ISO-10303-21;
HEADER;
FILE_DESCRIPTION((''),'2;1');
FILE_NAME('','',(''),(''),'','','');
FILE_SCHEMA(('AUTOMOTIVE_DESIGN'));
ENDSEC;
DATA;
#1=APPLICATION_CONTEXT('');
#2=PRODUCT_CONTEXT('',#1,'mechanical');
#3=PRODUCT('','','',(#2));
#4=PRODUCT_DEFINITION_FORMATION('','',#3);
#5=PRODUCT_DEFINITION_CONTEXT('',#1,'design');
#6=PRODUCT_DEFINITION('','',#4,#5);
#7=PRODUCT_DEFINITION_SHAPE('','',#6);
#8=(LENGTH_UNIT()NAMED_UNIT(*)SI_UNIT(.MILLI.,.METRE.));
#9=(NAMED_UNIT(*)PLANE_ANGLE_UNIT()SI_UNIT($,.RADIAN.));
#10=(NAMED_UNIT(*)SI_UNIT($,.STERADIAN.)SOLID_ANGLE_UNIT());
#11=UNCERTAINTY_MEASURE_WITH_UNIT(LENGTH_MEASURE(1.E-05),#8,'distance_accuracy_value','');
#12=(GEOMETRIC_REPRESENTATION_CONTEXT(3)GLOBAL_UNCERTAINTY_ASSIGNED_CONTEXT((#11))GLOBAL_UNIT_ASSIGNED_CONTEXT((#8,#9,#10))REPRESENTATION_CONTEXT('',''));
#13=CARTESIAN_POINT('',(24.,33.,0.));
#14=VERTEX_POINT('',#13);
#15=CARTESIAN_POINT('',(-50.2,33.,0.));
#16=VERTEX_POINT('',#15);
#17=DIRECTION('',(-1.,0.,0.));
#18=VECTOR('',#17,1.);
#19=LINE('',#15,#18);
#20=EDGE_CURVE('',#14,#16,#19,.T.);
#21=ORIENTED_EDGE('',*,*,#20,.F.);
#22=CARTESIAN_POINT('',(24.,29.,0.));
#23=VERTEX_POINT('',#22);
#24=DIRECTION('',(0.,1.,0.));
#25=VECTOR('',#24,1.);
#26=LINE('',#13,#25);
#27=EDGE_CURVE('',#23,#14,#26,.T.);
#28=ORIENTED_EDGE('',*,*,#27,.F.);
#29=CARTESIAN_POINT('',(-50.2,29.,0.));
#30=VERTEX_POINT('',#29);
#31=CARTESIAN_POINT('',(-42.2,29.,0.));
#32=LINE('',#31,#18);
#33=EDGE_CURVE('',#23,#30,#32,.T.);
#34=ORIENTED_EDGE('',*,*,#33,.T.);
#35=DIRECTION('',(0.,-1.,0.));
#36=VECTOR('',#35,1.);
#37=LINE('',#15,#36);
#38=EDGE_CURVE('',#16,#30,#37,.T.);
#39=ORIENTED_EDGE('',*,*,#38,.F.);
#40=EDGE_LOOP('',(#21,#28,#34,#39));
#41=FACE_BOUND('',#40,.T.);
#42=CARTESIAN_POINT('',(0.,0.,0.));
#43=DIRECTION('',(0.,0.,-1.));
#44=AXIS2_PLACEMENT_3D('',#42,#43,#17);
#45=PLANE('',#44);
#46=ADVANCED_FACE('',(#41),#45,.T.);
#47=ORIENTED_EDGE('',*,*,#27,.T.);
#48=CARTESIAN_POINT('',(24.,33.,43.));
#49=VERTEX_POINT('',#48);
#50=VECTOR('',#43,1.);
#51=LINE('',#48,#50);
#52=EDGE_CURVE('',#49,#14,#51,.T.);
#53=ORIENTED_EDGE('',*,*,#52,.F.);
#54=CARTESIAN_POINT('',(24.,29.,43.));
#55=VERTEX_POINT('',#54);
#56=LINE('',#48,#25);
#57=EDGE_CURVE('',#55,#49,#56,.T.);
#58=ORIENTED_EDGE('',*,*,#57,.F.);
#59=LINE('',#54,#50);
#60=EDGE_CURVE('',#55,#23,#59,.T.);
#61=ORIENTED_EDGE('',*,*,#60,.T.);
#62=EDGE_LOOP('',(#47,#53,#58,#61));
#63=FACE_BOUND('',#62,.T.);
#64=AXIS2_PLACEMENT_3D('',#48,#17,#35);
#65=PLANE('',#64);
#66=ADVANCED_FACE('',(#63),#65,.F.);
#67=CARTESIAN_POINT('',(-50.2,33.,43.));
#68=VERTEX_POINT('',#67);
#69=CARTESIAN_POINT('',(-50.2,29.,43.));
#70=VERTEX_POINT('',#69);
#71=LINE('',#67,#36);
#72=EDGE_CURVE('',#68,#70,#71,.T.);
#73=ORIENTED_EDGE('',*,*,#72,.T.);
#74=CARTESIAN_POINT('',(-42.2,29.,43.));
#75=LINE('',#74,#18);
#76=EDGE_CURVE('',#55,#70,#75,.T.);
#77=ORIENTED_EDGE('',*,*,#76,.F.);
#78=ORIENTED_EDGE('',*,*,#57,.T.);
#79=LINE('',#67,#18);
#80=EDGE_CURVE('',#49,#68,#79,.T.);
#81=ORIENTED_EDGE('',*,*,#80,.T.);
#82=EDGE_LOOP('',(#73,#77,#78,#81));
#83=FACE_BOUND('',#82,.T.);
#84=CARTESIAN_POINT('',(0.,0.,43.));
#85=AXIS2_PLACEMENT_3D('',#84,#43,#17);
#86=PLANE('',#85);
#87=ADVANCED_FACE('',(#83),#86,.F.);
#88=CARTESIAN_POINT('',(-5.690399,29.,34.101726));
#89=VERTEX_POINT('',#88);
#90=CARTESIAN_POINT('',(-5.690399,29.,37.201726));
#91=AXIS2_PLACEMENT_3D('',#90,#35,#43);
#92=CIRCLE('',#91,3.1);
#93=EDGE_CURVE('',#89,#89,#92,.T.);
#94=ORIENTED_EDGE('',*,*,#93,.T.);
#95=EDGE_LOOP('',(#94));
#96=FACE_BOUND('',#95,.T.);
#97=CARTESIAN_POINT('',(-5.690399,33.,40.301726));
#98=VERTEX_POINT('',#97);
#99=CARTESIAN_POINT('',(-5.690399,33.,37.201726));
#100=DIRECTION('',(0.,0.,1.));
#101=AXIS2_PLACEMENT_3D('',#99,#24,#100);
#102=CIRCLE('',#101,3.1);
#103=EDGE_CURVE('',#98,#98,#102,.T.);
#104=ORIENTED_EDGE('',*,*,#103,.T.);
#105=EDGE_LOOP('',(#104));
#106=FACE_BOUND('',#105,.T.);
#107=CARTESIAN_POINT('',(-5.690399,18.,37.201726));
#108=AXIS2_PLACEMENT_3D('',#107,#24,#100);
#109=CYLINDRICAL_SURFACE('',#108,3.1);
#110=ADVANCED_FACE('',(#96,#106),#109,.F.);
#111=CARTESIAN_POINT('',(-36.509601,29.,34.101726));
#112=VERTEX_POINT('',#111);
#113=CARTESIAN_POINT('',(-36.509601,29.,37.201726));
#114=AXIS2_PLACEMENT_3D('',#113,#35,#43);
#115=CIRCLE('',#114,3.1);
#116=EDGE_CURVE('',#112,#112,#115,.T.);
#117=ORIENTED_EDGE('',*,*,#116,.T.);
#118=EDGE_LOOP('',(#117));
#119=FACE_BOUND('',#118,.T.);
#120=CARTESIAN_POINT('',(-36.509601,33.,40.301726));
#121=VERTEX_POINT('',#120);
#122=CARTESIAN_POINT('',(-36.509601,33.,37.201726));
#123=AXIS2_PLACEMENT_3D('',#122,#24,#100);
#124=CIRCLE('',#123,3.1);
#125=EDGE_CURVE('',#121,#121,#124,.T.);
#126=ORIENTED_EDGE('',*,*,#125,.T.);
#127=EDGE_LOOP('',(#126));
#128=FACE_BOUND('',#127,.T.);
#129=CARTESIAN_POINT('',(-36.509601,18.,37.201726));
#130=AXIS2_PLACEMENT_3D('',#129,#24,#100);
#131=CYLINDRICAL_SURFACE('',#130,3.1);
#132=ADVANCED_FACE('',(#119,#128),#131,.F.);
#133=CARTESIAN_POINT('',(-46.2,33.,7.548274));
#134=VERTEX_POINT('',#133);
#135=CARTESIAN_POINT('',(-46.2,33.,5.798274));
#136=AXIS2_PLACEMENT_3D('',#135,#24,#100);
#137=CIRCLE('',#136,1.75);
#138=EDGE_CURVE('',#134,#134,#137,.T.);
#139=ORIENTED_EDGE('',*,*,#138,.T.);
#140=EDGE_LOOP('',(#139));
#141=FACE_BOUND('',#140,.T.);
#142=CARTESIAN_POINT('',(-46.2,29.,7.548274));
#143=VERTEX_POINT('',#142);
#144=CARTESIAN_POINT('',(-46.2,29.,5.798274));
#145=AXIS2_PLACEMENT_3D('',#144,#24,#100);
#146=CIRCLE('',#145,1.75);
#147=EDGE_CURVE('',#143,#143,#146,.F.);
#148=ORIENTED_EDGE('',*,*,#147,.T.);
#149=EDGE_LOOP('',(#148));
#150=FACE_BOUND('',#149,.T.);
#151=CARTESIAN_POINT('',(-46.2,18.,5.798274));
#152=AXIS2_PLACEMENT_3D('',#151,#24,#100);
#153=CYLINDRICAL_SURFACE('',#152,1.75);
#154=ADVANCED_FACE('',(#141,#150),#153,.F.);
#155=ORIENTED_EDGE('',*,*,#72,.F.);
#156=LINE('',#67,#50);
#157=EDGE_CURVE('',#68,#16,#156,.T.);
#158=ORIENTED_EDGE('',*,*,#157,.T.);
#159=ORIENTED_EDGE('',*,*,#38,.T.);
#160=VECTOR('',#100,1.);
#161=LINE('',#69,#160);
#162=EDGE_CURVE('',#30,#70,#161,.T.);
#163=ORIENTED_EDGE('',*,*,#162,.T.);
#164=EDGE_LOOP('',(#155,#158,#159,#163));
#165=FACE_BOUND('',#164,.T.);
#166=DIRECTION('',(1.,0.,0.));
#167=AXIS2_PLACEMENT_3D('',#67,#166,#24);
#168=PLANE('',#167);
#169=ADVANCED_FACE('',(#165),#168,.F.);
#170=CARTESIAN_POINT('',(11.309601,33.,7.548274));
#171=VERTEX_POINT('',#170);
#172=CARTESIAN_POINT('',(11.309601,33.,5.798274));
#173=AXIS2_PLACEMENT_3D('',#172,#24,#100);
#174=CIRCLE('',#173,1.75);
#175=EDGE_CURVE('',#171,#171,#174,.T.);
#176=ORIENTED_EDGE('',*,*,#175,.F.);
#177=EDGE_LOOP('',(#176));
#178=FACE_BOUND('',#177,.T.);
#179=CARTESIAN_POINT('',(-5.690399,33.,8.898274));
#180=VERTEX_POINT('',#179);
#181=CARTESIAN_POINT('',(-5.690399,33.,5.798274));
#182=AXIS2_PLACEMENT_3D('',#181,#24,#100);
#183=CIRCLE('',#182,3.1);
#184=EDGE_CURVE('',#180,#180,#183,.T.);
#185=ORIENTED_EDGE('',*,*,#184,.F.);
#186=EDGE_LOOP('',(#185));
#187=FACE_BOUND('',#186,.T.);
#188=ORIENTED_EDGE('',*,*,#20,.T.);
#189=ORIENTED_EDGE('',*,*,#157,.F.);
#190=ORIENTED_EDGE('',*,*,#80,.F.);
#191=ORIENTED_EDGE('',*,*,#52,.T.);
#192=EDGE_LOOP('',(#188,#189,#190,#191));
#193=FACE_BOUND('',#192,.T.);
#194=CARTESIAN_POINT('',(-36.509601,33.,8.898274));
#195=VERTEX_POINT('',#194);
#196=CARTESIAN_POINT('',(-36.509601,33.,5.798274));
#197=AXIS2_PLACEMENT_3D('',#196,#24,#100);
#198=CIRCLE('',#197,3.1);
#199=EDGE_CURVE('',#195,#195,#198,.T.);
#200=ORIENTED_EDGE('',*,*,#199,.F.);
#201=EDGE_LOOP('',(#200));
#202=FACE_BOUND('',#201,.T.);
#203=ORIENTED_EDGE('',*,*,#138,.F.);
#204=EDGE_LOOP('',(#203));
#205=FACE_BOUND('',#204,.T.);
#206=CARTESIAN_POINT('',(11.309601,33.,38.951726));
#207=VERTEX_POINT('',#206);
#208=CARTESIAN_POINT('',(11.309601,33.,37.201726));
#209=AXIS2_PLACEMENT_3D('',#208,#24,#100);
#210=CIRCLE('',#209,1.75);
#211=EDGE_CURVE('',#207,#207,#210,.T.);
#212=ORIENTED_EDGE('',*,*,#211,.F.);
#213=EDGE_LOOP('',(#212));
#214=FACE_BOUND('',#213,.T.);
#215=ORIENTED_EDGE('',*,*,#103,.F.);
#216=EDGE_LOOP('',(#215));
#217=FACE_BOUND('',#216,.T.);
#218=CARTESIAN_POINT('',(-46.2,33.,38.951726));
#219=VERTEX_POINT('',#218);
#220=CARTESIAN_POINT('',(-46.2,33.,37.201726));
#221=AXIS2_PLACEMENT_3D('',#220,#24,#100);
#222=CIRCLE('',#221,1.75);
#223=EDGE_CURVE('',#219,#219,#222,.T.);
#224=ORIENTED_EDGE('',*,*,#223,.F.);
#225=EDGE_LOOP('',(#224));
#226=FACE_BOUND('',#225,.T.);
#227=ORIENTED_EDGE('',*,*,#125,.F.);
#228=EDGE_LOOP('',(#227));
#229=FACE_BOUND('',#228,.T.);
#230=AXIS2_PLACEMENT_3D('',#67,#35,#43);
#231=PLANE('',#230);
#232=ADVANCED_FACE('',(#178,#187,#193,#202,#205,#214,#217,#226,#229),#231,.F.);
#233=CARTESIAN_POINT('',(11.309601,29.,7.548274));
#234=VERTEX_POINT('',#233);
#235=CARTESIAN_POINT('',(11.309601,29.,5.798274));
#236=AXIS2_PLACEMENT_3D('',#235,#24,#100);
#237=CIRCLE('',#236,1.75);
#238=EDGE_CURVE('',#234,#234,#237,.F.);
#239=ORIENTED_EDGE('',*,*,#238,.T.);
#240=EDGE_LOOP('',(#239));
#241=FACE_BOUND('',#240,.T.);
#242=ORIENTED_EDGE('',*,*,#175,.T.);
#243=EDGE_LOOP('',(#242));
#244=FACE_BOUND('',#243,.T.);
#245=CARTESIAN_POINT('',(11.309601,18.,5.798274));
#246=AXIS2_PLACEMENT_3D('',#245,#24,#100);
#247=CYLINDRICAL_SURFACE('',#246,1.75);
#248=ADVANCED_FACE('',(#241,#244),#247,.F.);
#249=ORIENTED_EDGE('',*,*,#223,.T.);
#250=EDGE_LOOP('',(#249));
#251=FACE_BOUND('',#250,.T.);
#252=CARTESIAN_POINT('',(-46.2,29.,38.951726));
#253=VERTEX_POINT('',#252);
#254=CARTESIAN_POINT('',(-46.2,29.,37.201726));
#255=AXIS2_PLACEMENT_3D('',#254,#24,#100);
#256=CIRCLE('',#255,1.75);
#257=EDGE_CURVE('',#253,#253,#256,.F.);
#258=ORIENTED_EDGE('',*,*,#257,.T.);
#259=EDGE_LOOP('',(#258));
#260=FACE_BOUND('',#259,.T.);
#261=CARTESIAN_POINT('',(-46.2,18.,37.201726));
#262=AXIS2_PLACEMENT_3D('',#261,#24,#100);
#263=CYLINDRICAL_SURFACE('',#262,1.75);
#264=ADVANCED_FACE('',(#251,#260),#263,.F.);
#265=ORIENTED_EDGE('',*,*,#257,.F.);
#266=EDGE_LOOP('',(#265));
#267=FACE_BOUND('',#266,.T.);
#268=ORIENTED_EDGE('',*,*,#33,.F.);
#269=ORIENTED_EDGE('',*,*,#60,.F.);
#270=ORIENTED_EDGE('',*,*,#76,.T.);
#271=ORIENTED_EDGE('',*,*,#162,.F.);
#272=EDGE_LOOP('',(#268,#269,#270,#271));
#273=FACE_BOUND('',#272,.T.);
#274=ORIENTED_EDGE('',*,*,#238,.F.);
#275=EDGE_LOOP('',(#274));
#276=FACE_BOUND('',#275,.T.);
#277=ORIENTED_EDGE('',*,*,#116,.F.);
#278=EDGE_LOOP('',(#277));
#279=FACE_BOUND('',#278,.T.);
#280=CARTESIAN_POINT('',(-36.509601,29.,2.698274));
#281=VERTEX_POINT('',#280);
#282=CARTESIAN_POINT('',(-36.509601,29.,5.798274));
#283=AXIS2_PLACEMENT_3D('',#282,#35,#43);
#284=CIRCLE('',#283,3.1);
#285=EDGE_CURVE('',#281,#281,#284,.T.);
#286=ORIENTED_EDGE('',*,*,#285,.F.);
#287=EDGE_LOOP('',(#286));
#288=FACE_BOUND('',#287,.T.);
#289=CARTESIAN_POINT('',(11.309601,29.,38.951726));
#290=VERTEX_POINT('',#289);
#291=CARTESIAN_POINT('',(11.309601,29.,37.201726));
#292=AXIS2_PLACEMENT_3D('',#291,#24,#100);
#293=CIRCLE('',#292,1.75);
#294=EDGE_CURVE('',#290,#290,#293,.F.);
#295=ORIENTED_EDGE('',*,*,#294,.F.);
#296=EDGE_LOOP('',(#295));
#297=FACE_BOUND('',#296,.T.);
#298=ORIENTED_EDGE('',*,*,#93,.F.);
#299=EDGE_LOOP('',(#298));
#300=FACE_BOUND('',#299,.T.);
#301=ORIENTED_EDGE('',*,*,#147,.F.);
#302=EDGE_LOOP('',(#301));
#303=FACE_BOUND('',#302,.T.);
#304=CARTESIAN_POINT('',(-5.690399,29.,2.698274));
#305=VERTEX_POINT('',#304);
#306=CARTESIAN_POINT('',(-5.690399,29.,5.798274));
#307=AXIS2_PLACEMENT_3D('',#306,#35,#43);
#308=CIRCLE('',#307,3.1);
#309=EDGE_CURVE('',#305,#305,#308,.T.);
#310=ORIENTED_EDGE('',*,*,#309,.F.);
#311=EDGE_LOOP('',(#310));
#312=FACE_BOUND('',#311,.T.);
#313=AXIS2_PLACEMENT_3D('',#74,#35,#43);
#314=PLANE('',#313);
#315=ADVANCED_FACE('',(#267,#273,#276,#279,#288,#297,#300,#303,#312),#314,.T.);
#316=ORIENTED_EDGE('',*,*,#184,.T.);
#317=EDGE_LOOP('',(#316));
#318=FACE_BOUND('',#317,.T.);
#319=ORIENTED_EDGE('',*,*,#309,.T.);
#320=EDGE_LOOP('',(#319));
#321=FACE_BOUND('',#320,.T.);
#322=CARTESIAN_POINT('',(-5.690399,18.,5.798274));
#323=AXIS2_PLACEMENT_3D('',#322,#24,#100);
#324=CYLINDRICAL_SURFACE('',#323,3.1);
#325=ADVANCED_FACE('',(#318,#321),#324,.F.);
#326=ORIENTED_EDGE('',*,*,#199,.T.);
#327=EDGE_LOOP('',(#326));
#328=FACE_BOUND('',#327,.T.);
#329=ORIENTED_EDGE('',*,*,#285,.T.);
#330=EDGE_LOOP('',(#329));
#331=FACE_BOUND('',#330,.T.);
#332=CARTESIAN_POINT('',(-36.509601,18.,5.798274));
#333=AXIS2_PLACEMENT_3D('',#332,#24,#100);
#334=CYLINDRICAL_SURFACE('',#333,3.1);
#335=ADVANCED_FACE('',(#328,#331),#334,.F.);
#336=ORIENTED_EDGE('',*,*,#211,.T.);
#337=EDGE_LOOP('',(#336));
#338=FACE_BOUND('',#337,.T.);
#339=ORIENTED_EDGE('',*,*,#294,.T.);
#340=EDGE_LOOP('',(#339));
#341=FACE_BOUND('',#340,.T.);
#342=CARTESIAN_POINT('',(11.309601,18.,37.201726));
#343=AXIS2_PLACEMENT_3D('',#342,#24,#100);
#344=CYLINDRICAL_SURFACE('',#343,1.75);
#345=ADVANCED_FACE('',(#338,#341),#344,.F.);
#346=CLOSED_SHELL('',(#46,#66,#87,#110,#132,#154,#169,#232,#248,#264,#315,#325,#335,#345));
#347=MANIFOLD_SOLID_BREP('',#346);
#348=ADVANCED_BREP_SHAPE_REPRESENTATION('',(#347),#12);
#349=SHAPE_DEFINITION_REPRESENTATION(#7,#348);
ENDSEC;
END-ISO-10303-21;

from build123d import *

# Parameters (mm, degrees)
SKETCH1_W           = 74.2
SKETCH1_H           = 46
BOSS_EXTRUDE1_DEPTH = 43
SKETCH2_R           = 11.5
SKETCH2_R_2         = 1.75
SKETCH2_R_3         = 2.5
CUT_EXTRUDE1_DEPTH  = 20
SKETCH3_R           = 3.1
SKETCH3_R_2         = 1.75
CUT_EXTRUDE2_DEPTH  = 15
CUT_EXTRUDE3_DEPTH  = 2.4
SKETCH5_R           = 2.75
CUT_EXTRUDE4_DEPTH  = 12.4


with BuildPart() as part:
    # Sketch1 → Boss-Extrude1 (new body)
    with BuildSketch(Plane.XY):
        with Locations((-13.1, 10)):
            Rectangle(SKETCH1_W, SKETCH1_H)
        Polygon((0, 0), (20, 0), (20, 20), (0, 20), (0, 29), (-42.2, 29), (-42.2, -9), (0, -9), align=None, mode=Mode.SUBTRACT)
    extrude(amount=BOSS_EXTRUDE1_DEPTH)

    # Sketch2 → Cut-Extrude1 (cut)
    with BuildSketch(Plane.XZ.offset(13)):
        with Locations((-21.1, 21.5)):
            Circle(SKETCH2_R)
        with Locations((-36.509600894, 37.201726029)):
            Circle(SKETCH2_R_2)
        with Locations((-5.690399106, 5.798273971)):
            Circle(SKETCH2_R_2)
        with Locations((-36.509600894, 5.798273971)):
            Circle(SKETCH2_R_2)
        with Locations((-5.690399106, 37.201726029)):
            Circle(SKETCH2_R_2)
        with Locations((10, 37.201726029)):
            Circle(SKETCH2_R_3)
        with Locations((10, 5.798273971)):
            Circle(SKETCH2_R_3)
    extrude(amount=-CUT_EXTRUDE1_DEPTH, mode=Mode.SUBTRACT)

    # Sketch3 → Cut-Extrude2 (cut)
    with BuildSketch(Plane(origin=(0, 33, 0), x_dir=(1, 0, 0), z_dir=(0, 1, 0))):
        with Locations(Location((-36.509600894, -5.798273971, 0), (0, 0, 270))):
            Circle(SKETCH3_R)
        with Locations(Location((-5.690399106, -5.798273971, 0), (0, 0, 270))):
            Circle(SKETCH3_R)
        with Locations(Location((-5.690399106, -37.201726029, 0), (0, 0, 270))):
            Circle(SKETCH3_R)
        with Locations(Location((-36.509600894, -37.201726029, 0), (0, 0, 270))):
            Circle(SKETCH3_R)
        with Locations(Location((-46.2, -5.798273971, 0), (0, 0, 270))):
            Circle(SKETCH3_R_2)
        with Locations(Location((-46.2, -37.201726029, 0), (0, 0, 270))):
            Circle(SKETCH3_R_2)
        with Locations(Location((11.309600894, -5.798273971, 0), (0, 0, 270))):
            Circle(SKETCH3_R_2)
        with Locations(Location((11.309600894, -37.201726029, 0), (0, 0, 270))):
            Circle(SKETCH3_R_2)
    extrude(amount=-CUT_EXTRUDE2_DEPTH, mode=Mode.SUBTRACT)


with BuildPart() as body_2:
    # Split1: the piece on the far side of the plane
    add(part.part)
    split(bisect_by=Plane.ZX.offset(29), keep=Keep.BOTTOM)

    # Sketch4 → Cut-Extrude3 (cut)
    with BuildSketch(Plane(origin=(0, 29, 0), x_dir=(1, 0, 0), z_dir=(0, 1, 0))):
        Polygon((-46.2, -2.334172356), (-49.2, -4.066223163), (-49.2, -7.530324778), (-46.2, -9.262375586), (-43.2, -7.530324778), (-43.2, -4.066223163), align=None)
        Polygon((-43.2, -35.469675222), (-46.2, -33.737624414), (-49.2, -35.469675222), (-49.2, -38.933776837), (-46.2, -40.665827644), (-43.2, -38.933776837), align=None)
        Polygon((14.309600894, -4.066223163), (11.309600894, -2.334172356), (8.309600894, -4.066223163), (8.309600894, -7.530324778), (11.309600894, -9.262375586), (14.309600894, -7.530324778), align=None)
        Polygon((14.309600894, -35.469675222), (11.309600894, -33.737624414), (8.309600894, -35.469675222), (8.309600894, -38.933776837), (11.309600894, -40.665827644), (14.309600894, -38.933776837), align=None)
    extrude(amount=-CUT_EXTRUDE3_DEPTH, mode=Mode.SUBTRACT)

    # Sketch5 → Cut-Extrude4 (cut)
    with BuildSketch(Plane(origin=(24, 0, 0), x_dir=(0, 0, -1), z_dir=(1, 0, 0))):
        with Locations(Location((-35.5, 10, 0), (0, 0, 90))):
            Circle(SKETCH5_R)
        with Locations(Location((-7.5, 10, 0), (0, 0, 90))):
            Circle(SKETCH5_R)
    extrude(amount=-CUT_EXTRUDE4_DEPTH, mode=Mode.SUBTRACT)


with BuildPart() as part_1:
    add(part.part)

    # Split1
    split(bisect_by=Plane.ZX.offset(29), keep=Keep.TOP)


solid = part_1.part
